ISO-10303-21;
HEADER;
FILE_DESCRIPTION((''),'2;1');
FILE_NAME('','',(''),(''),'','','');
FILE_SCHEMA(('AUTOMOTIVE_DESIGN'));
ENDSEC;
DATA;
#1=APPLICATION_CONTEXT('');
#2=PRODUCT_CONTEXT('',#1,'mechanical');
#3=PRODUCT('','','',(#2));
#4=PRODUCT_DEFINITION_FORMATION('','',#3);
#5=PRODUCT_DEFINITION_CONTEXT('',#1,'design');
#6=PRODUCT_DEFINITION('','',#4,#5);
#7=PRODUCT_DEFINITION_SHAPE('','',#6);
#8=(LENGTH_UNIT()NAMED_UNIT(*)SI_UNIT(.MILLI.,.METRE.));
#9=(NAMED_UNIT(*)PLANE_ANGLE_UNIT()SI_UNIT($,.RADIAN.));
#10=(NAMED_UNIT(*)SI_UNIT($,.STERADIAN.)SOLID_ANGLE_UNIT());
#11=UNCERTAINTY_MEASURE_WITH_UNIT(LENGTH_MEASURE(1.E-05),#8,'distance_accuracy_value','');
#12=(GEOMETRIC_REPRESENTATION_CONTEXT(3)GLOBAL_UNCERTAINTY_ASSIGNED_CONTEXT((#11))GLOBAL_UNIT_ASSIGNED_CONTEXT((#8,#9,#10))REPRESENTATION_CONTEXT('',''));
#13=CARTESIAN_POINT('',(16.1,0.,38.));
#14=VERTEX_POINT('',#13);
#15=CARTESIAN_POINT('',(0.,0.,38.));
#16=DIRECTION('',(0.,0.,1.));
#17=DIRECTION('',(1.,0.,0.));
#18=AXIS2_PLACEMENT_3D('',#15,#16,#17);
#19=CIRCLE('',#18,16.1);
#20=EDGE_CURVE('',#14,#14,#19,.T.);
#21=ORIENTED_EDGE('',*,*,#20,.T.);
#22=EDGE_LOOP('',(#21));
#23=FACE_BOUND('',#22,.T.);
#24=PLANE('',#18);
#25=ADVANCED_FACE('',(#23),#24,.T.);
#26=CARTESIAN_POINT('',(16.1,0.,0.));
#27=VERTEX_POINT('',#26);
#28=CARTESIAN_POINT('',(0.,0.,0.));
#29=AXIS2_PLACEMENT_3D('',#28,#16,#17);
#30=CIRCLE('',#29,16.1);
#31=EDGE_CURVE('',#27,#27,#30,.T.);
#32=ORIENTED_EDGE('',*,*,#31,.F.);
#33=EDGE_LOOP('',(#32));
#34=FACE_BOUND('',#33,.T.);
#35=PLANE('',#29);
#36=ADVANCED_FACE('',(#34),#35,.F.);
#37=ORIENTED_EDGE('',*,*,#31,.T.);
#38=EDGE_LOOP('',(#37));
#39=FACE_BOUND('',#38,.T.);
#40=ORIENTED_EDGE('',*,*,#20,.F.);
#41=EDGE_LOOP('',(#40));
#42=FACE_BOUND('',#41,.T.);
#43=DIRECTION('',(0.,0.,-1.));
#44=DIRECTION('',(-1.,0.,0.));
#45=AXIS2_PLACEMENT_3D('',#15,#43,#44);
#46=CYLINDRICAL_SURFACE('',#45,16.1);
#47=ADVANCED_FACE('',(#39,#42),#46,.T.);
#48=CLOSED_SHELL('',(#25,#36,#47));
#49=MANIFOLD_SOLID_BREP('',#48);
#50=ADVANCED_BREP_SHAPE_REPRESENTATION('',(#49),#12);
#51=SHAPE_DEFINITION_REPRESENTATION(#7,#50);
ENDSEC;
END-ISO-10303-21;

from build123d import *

# Parameters (mm, degrees)
ESQUISSE1_R        = 16.1
BOSS_EXTRU_1_DEPTH = 38


with BuildPart() as part:
    # Esquisse1 → Boss.-Extru.1 (new body)
    with BuildSketch(Plane.XY):
        Circle(ESQUISSE1_R)
    extrude(amount=BOSS_EXTRU_1_DEPTH)


solid = part.part
